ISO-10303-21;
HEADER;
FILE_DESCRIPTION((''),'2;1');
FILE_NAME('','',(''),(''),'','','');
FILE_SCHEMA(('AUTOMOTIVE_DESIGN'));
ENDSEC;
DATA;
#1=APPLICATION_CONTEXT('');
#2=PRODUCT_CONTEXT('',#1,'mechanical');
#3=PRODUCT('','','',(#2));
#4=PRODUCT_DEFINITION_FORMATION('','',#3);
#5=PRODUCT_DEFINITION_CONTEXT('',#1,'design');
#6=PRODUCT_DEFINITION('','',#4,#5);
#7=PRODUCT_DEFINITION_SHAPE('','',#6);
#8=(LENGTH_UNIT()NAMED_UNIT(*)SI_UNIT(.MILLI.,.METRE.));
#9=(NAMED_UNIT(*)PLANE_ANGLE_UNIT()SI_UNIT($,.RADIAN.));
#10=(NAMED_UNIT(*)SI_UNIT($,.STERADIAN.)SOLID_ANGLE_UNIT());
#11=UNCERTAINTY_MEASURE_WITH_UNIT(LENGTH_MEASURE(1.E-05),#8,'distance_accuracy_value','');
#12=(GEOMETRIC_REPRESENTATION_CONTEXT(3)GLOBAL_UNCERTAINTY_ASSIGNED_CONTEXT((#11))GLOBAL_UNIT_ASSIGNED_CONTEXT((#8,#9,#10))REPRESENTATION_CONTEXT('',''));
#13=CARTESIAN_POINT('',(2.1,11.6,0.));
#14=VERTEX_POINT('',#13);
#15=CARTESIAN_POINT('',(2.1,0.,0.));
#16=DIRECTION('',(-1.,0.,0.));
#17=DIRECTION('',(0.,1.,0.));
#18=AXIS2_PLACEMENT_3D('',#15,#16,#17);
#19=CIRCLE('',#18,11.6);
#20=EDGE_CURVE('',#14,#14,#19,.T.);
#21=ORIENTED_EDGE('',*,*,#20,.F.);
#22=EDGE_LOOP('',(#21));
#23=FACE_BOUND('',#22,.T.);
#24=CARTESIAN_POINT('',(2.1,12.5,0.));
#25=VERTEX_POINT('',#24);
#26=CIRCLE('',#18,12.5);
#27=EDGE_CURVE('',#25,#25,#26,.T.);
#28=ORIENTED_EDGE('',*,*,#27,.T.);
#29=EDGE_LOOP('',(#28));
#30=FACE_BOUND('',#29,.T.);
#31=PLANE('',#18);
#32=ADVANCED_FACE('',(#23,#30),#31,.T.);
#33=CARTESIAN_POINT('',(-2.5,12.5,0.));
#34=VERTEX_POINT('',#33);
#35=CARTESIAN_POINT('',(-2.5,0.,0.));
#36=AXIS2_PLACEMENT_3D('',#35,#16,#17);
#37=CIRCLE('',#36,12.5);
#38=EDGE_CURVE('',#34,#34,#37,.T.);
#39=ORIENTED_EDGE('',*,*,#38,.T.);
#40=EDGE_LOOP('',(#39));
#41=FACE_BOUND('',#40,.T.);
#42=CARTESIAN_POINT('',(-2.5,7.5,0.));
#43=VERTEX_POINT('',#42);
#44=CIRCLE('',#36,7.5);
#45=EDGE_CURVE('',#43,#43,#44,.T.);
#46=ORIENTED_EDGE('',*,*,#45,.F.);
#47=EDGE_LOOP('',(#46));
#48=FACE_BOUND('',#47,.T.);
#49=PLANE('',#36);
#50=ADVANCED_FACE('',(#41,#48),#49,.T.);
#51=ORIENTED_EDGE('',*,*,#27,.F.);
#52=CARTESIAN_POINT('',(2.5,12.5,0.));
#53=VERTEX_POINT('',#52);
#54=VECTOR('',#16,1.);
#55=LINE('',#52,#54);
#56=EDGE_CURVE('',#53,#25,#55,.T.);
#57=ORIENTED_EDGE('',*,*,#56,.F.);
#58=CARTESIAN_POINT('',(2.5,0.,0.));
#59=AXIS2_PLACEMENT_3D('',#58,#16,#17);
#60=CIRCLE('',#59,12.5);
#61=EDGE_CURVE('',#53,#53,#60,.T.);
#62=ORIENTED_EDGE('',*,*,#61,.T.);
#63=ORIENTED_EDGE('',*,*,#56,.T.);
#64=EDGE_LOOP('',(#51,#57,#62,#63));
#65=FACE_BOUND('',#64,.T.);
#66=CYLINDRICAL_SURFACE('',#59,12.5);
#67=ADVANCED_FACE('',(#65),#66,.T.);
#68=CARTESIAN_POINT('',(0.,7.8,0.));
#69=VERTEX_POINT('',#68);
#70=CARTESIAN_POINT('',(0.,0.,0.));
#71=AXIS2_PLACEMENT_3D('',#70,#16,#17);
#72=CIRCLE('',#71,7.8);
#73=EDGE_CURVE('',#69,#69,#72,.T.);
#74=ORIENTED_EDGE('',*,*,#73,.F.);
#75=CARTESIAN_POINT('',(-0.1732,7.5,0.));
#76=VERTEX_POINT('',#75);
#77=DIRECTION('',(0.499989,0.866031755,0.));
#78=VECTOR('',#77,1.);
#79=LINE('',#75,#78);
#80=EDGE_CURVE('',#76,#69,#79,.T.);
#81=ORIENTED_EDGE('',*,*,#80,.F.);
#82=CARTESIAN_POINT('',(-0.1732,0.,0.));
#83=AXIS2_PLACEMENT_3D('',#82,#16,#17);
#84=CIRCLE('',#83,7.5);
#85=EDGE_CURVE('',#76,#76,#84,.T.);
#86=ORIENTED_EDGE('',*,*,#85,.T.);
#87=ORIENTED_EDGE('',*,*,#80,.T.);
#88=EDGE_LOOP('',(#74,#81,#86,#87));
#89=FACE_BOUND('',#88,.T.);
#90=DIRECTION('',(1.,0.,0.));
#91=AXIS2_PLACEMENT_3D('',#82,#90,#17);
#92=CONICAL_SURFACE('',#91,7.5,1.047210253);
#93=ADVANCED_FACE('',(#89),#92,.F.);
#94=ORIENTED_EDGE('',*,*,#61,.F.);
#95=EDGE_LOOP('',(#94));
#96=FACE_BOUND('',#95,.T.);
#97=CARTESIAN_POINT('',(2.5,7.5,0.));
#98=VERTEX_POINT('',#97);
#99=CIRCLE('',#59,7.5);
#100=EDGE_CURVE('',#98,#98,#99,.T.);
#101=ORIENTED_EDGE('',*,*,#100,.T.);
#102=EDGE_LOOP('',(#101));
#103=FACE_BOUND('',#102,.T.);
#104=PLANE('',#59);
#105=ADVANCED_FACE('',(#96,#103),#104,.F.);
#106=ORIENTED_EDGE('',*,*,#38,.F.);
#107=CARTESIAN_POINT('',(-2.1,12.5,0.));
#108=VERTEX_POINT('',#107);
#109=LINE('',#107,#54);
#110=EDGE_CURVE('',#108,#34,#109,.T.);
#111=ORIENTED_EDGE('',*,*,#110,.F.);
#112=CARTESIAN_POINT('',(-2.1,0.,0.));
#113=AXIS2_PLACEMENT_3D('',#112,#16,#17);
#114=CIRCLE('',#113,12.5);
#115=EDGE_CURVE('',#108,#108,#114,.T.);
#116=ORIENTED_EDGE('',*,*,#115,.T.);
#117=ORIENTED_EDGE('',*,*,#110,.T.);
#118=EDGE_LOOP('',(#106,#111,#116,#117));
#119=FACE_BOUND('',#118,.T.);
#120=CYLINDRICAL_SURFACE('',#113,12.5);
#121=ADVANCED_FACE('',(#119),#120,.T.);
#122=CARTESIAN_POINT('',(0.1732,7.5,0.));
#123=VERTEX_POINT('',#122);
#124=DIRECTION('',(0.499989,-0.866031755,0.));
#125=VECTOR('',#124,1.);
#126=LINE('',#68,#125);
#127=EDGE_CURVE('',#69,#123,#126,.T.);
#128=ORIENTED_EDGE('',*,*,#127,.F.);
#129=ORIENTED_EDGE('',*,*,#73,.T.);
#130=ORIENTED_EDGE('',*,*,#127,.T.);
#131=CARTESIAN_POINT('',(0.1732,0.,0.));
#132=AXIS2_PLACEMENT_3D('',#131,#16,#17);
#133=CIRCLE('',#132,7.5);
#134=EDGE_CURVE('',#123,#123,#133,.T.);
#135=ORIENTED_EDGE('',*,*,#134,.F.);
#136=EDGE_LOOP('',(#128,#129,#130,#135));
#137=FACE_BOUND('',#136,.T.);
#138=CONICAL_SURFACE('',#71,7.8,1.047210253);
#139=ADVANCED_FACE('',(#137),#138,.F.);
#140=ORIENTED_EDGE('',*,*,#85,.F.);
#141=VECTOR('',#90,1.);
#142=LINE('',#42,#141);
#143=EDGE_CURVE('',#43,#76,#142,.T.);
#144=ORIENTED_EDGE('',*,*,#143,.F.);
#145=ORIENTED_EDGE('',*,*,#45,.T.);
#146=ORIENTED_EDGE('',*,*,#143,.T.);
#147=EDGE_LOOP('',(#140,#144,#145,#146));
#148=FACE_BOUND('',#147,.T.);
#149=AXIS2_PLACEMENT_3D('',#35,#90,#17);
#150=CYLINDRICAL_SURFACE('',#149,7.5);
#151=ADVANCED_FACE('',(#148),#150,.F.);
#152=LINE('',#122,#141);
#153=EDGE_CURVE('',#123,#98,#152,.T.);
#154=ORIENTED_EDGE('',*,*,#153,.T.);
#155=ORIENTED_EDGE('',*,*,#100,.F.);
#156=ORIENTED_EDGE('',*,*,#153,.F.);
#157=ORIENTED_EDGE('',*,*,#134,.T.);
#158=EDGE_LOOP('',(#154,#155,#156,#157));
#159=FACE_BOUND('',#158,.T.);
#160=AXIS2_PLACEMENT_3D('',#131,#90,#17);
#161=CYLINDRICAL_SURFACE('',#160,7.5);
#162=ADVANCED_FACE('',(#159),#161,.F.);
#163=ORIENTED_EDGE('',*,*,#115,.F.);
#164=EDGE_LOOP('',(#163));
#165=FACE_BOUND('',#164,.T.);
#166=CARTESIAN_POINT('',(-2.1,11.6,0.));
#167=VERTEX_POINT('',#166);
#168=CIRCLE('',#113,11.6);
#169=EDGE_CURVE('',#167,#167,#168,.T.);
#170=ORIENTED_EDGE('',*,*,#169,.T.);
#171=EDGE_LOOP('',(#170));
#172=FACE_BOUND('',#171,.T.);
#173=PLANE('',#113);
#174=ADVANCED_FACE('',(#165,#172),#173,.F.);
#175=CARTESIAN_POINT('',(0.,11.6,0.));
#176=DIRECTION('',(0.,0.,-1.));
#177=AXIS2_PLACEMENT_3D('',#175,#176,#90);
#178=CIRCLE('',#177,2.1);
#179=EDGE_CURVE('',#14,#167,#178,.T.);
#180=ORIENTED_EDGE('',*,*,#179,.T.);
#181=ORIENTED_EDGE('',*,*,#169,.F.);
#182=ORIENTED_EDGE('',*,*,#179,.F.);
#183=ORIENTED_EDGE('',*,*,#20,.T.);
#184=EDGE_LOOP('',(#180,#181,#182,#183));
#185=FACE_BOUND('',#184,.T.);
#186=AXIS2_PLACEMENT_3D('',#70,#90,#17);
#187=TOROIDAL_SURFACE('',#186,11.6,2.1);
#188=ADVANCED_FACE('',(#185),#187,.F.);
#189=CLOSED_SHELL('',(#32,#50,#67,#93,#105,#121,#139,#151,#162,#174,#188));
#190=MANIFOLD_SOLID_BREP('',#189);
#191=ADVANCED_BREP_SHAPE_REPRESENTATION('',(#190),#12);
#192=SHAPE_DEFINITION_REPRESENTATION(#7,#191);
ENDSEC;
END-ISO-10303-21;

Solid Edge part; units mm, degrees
sketch "Sketch1" plane through (0, 0, 0) normal (0, 0, 1) x (1, 0, 0)
  line L0 (-2.5, 12.5) -> (-2.5, 7.5)
  line L1 (-2.5, 7.5) -> (-0.1732, 7.5)
  line L2 (-0.1732, 7.5) -> (0, 7.8)
  line L3 (0, 7.8) -> (0.1732, 7.5)
  line L4 (0.1732, 7.5) -> (2.5, 7.5)
  line L5 (2.5, 7.5) -> (2.5, 12.5)
  line L6 (2.5, 12.5) -> (2.1, 12.5)
  line L7 (2.1, 12.5) -> (2.1, 11.6)
  arc A0 (2.1, 11.6) -> (-2.1, 11.6) centre (0, 11.6) cw
  line L8 (-2.1, 11.6) -> (-2.1, 12.5)
  line L9 (-2.1, 12.5) -> (-2.5, 12.5)
revolve "RevolvedProtrusion1" add sketch "Sketch1" angle 360 about axis through (2.5, 0, 0) along (-1, 0, 0)
properties material "Steel"
